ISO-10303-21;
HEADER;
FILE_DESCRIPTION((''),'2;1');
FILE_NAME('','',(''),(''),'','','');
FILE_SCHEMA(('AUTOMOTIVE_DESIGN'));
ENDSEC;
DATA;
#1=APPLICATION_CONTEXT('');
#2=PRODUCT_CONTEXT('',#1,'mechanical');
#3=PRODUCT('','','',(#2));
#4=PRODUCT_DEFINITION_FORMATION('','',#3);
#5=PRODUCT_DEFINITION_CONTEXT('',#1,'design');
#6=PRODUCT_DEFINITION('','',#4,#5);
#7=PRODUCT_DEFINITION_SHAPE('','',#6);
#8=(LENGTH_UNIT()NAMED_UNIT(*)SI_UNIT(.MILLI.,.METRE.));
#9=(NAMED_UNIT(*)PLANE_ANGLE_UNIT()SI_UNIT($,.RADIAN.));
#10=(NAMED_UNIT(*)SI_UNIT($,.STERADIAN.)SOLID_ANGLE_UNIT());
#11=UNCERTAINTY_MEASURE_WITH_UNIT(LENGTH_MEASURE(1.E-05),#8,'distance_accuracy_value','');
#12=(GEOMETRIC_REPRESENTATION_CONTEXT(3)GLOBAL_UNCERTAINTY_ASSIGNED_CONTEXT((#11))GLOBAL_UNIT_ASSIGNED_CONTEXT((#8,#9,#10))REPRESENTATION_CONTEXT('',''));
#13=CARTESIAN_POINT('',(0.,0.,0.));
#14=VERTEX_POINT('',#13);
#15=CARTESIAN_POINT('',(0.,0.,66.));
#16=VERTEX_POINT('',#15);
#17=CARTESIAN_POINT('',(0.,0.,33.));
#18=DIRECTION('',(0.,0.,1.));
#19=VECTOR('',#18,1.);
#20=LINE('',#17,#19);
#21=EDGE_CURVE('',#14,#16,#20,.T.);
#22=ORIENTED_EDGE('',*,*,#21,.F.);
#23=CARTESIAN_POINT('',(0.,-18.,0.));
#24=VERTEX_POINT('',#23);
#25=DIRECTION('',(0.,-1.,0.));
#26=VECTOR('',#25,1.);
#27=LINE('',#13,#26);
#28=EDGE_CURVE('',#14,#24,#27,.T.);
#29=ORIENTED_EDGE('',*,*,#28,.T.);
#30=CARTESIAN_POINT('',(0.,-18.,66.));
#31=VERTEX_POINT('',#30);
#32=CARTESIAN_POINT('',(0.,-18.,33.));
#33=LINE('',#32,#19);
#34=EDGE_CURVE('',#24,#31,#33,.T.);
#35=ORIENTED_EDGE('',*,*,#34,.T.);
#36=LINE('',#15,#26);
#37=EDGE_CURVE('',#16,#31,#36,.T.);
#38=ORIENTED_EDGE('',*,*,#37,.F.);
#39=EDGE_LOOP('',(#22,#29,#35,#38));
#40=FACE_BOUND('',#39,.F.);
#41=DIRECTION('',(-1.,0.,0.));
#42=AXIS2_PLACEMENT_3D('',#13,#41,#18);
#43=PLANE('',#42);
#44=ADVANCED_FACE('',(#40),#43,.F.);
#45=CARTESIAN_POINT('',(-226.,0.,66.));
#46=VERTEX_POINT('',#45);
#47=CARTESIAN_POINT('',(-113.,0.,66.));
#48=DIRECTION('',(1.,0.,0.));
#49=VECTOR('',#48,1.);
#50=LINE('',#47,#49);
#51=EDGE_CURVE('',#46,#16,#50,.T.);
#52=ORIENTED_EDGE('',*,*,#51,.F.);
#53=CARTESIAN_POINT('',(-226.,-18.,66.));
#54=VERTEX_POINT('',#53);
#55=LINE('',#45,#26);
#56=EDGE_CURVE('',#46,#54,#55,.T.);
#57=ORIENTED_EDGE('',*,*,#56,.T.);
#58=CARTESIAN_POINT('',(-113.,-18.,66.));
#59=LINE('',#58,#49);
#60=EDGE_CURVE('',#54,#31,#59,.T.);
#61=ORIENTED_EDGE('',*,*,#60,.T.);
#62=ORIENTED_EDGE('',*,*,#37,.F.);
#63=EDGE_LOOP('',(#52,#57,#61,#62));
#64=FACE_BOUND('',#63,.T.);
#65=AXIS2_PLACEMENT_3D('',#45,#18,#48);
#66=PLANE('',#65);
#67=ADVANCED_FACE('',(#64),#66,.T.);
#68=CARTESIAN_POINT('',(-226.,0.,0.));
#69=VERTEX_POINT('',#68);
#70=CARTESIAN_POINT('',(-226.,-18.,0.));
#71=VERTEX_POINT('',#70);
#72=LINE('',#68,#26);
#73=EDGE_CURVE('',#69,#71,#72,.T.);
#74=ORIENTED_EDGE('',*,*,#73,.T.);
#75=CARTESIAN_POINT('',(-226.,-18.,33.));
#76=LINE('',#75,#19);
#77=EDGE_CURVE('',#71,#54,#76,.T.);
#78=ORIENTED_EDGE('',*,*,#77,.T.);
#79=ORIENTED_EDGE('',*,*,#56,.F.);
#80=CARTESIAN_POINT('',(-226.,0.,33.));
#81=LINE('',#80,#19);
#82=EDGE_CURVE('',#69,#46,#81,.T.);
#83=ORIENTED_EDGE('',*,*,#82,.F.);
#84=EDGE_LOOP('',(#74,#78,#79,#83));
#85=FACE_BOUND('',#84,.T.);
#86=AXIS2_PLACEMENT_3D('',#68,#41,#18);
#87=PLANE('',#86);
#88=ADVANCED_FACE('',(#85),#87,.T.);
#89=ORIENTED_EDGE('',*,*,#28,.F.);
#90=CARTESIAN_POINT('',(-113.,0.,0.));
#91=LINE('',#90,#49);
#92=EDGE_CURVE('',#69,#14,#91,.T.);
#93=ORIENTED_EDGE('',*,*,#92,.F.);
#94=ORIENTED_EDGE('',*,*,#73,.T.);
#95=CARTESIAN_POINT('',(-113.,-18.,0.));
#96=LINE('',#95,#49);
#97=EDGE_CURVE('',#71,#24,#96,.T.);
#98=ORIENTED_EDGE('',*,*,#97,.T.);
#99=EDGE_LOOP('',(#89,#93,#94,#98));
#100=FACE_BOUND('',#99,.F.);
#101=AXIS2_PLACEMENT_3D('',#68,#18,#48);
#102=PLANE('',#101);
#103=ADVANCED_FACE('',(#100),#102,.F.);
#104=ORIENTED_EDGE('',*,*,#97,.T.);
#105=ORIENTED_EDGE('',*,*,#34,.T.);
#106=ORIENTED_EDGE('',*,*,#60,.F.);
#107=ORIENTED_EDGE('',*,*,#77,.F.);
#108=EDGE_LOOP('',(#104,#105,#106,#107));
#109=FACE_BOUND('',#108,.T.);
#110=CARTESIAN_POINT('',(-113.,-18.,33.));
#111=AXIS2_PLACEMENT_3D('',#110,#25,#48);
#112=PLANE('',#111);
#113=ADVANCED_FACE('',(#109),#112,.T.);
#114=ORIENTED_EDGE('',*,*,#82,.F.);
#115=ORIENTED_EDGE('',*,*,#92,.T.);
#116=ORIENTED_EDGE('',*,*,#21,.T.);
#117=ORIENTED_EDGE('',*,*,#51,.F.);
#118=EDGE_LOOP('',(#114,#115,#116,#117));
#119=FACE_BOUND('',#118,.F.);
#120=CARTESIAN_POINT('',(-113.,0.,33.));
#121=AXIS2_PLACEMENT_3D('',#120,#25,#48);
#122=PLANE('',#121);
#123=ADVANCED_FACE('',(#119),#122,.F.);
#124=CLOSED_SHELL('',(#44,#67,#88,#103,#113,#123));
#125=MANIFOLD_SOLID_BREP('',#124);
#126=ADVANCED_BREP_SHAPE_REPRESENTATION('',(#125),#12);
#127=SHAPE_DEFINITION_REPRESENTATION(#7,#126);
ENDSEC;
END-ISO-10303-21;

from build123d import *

# Parameters (mm, degrees)
SKETCH_W  = 226
SKETCH_H  = 66
PAD_DEPTH = 18


with BuildPart() as part:
    # Sketch → Pad (new body)
    with BuildSketch(Plane.XZ):
        with Locations((-113, 33)):
            Rectangle(SKETCH_W, SKETCH_H)
    extrude(amount=PAD_DEPTH)


solid = part.part
